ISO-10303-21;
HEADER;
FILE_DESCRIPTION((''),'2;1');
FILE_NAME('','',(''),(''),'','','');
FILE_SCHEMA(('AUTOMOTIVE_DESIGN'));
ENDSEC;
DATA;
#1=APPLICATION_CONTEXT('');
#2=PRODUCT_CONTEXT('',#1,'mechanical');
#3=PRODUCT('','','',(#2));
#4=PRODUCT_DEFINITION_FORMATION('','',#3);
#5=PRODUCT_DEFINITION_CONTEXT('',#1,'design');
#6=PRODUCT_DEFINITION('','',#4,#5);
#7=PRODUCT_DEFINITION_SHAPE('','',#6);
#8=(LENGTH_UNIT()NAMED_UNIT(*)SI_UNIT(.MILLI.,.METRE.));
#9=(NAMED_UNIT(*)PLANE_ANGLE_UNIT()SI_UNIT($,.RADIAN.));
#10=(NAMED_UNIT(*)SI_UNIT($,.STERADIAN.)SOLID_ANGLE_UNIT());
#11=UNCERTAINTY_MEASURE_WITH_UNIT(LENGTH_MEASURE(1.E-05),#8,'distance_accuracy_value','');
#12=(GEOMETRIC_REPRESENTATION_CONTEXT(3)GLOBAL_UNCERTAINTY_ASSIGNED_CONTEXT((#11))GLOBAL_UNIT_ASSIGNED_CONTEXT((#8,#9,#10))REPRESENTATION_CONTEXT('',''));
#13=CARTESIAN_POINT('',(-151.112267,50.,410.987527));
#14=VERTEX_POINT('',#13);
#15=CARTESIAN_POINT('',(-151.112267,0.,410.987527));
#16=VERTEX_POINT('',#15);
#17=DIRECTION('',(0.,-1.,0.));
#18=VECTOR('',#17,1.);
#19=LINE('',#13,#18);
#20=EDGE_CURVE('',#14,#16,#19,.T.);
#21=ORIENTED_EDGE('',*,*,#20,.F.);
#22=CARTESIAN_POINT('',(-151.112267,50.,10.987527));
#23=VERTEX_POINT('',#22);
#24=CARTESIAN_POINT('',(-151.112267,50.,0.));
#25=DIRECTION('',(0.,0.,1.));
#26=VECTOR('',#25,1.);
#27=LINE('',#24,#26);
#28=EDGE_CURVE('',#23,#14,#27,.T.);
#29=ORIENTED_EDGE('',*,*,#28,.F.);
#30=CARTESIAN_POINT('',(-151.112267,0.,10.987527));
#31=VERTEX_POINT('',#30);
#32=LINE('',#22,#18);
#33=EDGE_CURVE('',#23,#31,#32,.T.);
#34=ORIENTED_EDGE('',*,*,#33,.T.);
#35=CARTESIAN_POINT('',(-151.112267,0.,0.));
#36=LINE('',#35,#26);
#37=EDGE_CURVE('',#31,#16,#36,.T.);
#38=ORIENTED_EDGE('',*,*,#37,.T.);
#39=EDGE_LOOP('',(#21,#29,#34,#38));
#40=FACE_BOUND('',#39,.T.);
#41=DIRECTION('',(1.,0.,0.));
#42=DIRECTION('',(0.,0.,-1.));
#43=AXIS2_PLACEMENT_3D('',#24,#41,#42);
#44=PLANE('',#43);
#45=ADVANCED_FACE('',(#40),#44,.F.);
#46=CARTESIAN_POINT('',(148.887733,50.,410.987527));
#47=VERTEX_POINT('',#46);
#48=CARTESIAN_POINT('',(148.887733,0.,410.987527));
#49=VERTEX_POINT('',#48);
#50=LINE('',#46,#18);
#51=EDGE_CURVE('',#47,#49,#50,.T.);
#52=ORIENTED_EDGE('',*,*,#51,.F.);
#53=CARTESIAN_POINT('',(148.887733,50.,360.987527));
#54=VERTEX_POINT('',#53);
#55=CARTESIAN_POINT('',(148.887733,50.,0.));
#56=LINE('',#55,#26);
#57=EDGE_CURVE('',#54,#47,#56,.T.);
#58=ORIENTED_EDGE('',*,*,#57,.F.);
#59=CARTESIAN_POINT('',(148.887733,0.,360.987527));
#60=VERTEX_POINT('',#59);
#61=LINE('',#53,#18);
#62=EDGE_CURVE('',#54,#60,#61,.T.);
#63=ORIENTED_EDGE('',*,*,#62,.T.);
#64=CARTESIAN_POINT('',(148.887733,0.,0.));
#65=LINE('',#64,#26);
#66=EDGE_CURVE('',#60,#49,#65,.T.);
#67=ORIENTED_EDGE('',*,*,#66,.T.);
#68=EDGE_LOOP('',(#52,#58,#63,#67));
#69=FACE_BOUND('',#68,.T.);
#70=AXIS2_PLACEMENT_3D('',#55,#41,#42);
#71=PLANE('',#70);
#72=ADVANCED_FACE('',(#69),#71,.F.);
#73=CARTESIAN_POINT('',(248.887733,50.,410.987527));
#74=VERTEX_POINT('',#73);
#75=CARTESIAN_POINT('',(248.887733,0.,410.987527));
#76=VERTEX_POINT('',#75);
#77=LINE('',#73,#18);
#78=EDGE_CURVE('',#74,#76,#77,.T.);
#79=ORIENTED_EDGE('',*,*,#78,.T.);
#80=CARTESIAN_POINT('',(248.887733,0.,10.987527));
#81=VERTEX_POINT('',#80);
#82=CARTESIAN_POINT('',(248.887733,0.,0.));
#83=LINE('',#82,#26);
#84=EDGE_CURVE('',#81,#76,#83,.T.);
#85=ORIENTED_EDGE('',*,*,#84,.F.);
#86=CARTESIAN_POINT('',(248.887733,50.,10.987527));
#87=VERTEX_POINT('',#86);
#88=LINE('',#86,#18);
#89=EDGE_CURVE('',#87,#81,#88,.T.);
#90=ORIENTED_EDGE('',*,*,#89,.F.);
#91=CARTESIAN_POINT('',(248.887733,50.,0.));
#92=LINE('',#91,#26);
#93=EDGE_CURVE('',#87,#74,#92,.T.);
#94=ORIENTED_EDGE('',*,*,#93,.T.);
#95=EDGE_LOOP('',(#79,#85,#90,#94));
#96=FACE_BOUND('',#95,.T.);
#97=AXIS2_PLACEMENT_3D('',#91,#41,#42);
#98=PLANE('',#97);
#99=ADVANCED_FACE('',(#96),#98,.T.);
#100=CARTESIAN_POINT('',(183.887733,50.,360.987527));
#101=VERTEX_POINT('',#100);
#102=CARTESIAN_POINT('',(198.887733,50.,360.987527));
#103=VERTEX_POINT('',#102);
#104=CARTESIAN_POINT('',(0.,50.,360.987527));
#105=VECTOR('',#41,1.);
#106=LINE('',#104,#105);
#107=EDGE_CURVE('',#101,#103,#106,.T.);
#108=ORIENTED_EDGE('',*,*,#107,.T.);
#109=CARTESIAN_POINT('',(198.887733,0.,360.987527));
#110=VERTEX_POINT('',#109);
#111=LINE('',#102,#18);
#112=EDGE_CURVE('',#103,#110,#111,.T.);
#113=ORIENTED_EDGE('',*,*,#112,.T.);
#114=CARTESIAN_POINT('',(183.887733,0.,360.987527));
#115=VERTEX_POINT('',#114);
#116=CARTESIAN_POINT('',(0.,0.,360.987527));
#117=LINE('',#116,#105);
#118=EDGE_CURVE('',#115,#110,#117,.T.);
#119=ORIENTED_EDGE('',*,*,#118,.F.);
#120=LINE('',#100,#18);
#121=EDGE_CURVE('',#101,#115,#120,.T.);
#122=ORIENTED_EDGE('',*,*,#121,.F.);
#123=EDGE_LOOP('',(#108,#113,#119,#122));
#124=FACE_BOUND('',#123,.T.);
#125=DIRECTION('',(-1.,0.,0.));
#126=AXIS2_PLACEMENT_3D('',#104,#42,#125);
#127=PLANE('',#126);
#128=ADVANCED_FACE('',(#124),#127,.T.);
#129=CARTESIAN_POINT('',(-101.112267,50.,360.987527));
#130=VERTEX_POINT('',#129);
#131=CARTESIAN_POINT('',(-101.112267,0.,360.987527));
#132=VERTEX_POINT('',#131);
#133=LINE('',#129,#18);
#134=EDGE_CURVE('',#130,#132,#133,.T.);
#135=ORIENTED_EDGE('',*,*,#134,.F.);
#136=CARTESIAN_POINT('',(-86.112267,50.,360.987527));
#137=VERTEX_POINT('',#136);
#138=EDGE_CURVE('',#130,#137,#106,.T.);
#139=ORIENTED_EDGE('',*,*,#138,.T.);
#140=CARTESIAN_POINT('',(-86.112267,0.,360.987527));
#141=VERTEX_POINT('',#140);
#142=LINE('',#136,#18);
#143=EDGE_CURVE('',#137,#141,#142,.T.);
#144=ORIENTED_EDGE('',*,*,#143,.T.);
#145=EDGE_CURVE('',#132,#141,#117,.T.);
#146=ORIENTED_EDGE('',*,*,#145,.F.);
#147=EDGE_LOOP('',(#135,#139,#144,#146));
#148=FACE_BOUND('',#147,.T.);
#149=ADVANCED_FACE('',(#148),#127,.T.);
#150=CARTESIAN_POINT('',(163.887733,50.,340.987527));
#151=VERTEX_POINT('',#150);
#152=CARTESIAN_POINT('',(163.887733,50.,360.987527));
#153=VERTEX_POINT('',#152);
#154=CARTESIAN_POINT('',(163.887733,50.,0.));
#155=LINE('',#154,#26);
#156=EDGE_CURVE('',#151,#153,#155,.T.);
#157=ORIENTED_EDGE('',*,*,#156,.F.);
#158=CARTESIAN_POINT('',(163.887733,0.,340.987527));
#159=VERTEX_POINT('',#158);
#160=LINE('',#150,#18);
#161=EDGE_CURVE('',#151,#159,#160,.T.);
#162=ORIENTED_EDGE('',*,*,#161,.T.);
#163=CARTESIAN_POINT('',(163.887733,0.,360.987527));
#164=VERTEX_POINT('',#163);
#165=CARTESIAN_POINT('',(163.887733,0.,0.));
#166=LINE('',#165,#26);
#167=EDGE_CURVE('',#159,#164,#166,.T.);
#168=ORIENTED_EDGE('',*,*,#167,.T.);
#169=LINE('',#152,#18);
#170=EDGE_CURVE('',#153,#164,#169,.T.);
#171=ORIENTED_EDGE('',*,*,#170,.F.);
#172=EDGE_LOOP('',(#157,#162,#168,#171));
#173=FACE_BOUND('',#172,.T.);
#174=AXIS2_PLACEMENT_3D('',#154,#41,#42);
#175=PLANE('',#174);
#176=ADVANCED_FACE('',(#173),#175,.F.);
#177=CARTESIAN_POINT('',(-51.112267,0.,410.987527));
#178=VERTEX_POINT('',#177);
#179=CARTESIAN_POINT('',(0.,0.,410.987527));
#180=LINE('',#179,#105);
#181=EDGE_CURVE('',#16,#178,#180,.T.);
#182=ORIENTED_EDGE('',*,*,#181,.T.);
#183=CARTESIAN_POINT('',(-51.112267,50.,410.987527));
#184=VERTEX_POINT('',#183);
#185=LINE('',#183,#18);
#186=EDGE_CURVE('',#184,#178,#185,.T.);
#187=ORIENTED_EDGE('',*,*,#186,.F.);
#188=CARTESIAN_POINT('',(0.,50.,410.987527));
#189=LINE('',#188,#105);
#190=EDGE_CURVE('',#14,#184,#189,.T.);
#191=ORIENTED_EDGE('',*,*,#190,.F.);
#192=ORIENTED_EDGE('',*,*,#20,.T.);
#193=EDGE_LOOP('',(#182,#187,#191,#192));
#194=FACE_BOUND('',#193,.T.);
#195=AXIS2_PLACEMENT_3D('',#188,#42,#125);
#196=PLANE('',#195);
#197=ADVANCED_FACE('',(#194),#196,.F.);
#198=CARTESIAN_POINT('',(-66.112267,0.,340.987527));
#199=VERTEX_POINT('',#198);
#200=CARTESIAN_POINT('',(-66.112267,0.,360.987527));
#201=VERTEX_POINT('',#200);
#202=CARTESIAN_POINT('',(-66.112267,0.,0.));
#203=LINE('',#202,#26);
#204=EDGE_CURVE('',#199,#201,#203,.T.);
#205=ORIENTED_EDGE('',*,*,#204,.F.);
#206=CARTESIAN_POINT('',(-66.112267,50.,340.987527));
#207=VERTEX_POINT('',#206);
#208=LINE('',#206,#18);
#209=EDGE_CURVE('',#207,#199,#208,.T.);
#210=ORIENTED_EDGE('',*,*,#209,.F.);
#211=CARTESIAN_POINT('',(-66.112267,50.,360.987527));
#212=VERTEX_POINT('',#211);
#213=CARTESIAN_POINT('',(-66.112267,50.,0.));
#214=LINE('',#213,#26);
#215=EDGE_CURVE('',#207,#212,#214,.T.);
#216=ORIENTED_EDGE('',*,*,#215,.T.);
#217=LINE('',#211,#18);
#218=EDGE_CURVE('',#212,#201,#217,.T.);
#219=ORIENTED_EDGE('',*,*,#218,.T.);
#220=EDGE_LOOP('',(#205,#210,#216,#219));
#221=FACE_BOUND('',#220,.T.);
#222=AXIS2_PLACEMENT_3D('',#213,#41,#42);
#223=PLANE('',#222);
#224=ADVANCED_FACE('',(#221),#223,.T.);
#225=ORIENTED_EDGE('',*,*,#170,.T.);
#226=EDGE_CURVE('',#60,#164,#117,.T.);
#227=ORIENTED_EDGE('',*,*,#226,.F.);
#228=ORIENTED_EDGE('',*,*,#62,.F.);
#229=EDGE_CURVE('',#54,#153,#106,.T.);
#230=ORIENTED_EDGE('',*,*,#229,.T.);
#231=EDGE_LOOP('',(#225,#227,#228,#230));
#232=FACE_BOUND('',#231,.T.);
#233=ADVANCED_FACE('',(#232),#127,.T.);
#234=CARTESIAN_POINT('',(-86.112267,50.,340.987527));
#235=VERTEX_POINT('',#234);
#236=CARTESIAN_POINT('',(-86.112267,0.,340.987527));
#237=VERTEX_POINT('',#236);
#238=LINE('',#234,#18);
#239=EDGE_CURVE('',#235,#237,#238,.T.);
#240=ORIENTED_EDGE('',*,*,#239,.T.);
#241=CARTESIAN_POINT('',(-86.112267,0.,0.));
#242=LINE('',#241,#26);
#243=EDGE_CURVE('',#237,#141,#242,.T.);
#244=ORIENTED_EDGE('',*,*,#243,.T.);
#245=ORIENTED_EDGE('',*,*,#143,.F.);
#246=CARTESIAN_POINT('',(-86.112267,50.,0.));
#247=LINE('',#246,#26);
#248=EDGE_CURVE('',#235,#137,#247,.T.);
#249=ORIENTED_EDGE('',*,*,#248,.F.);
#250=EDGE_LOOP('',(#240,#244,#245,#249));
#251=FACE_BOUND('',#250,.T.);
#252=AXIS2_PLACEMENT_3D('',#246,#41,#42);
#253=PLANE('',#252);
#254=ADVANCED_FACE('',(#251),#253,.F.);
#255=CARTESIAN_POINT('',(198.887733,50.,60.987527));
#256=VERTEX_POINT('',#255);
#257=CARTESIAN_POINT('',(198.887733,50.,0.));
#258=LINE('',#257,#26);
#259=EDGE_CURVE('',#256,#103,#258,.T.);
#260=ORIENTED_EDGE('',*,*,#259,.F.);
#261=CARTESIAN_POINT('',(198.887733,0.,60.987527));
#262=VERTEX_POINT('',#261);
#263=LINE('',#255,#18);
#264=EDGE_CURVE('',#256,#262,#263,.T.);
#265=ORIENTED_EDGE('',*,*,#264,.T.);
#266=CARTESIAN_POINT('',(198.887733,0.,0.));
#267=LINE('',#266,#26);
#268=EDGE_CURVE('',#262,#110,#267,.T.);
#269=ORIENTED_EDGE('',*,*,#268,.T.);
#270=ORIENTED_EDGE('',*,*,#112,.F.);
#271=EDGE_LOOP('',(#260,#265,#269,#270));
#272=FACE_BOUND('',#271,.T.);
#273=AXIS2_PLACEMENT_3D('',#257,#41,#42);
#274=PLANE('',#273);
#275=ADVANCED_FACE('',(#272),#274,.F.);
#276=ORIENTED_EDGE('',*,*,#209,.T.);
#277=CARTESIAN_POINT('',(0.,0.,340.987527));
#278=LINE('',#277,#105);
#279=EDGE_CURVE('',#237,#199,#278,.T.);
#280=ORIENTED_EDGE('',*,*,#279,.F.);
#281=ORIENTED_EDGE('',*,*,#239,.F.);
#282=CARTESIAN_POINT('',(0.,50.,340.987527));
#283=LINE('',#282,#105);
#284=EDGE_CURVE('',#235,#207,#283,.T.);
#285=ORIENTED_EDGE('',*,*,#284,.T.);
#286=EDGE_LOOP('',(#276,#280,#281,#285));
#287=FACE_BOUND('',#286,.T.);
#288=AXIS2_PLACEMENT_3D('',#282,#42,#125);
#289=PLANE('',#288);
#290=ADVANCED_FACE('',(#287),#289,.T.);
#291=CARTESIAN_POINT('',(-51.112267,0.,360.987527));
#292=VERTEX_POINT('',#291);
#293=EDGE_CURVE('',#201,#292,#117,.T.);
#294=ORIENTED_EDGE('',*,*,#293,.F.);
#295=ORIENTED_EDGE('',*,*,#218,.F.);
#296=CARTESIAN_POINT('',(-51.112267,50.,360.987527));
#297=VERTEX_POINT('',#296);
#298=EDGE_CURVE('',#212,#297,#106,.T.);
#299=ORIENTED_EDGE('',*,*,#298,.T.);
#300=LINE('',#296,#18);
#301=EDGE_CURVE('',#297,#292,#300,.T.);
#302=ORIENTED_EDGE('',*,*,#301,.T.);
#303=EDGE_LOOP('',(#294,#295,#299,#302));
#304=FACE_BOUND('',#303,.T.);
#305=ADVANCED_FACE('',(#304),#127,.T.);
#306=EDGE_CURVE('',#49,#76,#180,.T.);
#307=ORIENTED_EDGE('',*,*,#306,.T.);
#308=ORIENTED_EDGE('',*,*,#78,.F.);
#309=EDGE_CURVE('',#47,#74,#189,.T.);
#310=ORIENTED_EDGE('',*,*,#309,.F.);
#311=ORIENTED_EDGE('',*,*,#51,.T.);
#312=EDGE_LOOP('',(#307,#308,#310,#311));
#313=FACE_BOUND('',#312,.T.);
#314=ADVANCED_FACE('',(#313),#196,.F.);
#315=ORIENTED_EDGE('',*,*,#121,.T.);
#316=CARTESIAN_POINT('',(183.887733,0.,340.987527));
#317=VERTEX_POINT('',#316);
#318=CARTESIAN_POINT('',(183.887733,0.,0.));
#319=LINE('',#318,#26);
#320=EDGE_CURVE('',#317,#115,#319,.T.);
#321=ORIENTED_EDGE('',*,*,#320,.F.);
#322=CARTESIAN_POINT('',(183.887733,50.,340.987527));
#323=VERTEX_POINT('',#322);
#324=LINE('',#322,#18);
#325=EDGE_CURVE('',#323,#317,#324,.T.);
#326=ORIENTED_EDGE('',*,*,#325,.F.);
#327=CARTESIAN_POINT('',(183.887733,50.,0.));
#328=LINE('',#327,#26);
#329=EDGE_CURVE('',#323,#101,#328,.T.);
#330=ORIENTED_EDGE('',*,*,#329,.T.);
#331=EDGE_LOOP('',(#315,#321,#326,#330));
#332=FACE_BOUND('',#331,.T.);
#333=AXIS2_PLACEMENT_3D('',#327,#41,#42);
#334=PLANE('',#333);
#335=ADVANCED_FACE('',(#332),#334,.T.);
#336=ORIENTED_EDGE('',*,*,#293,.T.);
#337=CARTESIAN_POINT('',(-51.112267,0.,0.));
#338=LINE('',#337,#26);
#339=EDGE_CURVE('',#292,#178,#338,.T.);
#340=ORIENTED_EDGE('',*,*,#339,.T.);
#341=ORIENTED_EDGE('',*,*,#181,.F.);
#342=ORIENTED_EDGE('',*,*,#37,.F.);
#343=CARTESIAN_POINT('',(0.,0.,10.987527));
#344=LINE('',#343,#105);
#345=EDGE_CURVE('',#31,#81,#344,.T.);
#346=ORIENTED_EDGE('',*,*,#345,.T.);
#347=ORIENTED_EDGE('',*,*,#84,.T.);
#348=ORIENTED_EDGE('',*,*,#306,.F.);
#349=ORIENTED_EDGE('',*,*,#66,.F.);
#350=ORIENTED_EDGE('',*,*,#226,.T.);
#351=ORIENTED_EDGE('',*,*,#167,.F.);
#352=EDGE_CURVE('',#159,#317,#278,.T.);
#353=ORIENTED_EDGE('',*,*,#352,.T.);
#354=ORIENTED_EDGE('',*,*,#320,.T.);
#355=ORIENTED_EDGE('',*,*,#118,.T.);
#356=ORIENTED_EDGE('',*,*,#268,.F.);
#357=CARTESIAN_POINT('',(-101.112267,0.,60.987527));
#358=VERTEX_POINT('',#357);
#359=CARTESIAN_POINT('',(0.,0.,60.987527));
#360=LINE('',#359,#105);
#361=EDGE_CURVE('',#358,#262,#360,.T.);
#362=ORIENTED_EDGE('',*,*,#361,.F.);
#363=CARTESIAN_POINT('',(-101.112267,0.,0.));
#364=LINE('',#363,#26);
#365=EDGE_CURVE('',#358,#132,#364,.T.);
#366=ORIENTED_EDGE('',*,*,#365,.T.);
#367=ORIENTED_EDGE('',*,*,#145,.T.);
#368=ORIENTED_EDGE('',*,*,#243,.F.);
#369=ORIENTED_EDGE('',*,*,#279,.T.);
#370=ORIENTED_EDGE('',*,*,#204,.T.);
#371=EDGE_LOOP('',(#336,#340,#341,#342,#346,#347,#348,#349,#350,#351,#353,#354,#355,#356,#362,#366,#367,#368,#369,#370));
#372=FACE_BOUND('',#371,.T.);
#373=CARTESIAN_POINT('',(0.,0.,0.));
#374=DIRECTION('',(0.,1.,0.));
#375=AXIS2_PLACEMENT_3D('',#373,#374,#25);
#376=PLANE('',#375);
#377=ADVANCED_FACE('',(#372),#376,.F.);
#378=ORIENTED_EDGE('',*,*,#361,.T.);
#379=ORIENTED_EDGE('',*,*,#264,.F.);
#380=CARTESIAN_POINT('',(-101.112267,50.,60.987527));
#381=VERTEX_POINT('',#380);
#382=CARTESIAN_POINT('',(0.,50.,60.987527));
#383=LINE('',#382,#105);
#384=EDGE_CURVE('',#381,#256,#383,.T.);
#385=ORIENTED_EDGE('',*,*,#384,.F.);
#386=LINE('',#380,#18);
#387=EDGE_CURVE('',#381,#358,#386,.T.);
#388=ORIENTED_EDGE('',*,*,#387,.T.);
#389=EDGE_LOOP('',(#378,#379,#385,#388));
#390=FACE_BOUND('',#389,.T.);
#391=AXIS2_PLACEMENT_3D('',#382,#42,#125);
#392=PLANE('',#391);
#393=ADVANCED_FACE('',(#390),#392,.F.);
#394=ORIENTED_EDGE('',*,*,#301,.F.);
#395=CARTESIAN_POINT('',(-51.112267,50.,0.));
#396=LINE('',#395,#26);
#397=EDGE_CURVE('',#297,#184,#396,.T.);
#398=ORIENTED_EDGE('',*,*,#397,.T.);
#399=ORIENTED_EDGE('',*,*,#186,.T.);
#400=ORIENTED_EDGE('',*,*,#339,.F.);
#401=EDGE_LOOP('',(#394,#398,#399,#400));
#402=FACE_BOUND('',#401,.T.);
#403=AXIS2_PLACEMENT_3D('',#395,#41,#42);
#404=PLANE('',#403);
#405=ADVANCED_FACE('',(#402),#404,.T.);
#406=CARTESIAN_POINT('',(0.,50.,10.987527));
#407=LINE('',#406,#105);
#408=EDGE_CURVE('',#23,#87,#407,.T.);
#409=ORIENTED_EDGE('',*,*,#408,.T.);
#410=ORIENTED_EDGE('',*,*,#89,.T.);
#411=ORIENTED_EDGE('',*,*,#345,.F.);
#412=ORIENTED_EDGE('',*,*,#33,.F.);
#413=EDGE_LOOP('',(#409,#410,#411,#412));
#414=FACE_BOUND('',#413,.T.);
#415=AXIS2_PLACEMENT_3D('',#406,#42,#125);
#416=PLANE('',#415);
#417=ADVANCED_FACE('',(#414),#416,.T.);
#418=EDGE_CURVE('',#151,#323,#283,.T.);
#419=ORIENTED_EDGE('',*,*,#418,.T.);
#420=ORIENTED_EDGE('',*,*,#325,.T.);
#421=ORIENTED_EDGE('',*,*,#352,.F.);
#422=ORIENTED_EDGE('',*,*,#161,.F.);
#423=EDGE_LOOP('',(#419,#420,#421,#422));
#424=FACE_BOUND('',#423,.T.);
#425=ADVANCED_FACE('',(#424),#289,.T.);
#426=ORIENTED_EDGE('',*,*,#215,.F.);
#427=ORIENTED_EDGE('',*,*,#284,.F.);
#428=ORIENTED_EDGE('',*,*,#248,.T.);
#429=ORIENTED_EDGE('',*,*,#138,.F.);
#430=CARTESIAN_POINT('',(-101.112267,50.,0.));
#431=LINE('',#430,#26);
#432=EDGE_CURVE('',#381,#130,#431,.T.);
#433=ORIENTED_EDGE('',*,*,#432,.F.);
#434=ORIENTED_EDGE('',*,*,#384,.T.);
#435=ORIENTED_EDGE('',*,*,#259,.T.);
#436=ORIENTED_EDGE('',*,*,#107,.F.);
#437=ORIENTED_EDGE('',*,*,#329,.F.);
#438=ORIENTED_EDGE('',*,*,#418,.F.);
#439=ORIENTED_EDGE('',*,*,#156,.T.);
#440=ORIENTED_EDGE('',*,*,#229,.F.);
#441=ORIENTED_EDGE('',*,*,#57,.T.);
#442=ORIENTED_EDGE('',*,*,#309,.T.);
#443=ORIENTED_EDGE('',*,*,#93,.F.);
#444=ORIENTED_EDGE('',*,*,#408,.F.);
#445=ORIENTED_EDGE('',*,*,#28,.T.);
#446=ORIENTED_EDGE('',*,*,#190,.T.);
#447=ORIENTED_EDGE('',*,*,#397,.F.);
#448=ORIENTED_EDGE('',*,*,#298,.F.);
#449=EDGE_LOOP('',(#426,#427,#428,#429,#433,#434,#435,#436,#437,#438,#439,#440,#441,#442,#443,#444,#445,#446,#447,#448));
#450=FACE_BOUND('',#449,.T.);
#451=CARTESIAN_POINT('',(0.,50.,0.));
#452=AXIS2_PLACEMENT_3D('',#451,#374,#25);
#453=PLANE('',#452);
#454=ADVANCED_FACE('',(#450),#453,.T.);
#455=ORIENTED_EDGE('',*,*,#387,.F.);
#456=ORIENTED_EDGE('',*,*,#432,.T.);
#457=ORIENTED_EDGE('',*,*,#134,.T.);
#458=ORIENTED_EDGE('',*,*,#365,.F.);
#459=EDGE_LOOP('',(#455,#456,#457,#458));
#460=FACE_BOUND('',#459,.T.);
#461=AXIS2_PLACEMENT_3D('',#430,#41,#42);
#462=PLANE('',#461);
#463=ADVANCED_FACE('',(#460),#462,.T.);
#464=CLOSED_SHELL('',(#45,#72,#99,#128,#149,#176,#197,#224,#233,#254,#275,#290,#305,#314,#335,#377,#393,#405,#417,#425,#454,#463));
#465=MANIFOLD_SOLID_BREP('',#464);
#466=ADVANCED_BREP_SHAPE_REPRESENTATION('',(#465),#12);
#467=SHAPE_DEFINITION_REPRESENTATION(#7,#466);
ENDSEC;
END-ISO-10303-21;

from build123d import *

# Parameters (mm, degrees)
SKETCH1_W           = 50
SKETCH1_H           = 50
SKETCH1_W_2         = 20
SKETCH1_H_2         = 20
BOSS_EXTRUDE1_DEPTH = 50


with BuildPart() as part:
    # Sketch1 → Boss-Extrude1 (new body)
    with BuildSketch(Plane(origin=(0, 0, 0), x_dir=(1, 0, 0), z_dir=(0, 1, 0))):
        Polygon((-98.419958922, -10.98752745), (-151.112267161, -10.98752745), (-151.112267161, -219.278466068), (-151.112267161, -380.152018312), (-151.112267161, -410.98752745), (-101.112267161, -410.98752745), (-101.112267161, -360.98752745), (-101.112267161, -60.98752745), (198.887732839, -60.98752745), (198.887732839, -360.98752745), (198.887732839, -410.98752745), (248.887732839, -410.98752745), (248.887732839, -380.152018312), (248.887732839, -219.278466068), (248.887732839, -10.98752745), (169.957323972, -10.98752745), align=None)
        with Locations((173.887732839, -385.98752745)):
            Rectangle(SKETCH1_W, SKETCH1_H)
        Polygon((-101.112267161, -360.98752745), (-101.112267161, -410.98752745), (-51.112267161, -410.98752745), (-51.112267161, -360.98752745), (-66.112267161, -360.98752745), (-86.112267161, -360.98752745), align=None)
        with Locations((-76.112267161, -350.98752745)):
            Rectangle(SKETCH1_W_2, SKETCH1_H_2)
        with Locations((173.887732839, -350.98752745)):
            Rectangle(SKETCH1_W_2, SKETCH1_H_2)
    extrude(amount=BOSS_EXTRUDE1_DEPTH)


solid = part.part
